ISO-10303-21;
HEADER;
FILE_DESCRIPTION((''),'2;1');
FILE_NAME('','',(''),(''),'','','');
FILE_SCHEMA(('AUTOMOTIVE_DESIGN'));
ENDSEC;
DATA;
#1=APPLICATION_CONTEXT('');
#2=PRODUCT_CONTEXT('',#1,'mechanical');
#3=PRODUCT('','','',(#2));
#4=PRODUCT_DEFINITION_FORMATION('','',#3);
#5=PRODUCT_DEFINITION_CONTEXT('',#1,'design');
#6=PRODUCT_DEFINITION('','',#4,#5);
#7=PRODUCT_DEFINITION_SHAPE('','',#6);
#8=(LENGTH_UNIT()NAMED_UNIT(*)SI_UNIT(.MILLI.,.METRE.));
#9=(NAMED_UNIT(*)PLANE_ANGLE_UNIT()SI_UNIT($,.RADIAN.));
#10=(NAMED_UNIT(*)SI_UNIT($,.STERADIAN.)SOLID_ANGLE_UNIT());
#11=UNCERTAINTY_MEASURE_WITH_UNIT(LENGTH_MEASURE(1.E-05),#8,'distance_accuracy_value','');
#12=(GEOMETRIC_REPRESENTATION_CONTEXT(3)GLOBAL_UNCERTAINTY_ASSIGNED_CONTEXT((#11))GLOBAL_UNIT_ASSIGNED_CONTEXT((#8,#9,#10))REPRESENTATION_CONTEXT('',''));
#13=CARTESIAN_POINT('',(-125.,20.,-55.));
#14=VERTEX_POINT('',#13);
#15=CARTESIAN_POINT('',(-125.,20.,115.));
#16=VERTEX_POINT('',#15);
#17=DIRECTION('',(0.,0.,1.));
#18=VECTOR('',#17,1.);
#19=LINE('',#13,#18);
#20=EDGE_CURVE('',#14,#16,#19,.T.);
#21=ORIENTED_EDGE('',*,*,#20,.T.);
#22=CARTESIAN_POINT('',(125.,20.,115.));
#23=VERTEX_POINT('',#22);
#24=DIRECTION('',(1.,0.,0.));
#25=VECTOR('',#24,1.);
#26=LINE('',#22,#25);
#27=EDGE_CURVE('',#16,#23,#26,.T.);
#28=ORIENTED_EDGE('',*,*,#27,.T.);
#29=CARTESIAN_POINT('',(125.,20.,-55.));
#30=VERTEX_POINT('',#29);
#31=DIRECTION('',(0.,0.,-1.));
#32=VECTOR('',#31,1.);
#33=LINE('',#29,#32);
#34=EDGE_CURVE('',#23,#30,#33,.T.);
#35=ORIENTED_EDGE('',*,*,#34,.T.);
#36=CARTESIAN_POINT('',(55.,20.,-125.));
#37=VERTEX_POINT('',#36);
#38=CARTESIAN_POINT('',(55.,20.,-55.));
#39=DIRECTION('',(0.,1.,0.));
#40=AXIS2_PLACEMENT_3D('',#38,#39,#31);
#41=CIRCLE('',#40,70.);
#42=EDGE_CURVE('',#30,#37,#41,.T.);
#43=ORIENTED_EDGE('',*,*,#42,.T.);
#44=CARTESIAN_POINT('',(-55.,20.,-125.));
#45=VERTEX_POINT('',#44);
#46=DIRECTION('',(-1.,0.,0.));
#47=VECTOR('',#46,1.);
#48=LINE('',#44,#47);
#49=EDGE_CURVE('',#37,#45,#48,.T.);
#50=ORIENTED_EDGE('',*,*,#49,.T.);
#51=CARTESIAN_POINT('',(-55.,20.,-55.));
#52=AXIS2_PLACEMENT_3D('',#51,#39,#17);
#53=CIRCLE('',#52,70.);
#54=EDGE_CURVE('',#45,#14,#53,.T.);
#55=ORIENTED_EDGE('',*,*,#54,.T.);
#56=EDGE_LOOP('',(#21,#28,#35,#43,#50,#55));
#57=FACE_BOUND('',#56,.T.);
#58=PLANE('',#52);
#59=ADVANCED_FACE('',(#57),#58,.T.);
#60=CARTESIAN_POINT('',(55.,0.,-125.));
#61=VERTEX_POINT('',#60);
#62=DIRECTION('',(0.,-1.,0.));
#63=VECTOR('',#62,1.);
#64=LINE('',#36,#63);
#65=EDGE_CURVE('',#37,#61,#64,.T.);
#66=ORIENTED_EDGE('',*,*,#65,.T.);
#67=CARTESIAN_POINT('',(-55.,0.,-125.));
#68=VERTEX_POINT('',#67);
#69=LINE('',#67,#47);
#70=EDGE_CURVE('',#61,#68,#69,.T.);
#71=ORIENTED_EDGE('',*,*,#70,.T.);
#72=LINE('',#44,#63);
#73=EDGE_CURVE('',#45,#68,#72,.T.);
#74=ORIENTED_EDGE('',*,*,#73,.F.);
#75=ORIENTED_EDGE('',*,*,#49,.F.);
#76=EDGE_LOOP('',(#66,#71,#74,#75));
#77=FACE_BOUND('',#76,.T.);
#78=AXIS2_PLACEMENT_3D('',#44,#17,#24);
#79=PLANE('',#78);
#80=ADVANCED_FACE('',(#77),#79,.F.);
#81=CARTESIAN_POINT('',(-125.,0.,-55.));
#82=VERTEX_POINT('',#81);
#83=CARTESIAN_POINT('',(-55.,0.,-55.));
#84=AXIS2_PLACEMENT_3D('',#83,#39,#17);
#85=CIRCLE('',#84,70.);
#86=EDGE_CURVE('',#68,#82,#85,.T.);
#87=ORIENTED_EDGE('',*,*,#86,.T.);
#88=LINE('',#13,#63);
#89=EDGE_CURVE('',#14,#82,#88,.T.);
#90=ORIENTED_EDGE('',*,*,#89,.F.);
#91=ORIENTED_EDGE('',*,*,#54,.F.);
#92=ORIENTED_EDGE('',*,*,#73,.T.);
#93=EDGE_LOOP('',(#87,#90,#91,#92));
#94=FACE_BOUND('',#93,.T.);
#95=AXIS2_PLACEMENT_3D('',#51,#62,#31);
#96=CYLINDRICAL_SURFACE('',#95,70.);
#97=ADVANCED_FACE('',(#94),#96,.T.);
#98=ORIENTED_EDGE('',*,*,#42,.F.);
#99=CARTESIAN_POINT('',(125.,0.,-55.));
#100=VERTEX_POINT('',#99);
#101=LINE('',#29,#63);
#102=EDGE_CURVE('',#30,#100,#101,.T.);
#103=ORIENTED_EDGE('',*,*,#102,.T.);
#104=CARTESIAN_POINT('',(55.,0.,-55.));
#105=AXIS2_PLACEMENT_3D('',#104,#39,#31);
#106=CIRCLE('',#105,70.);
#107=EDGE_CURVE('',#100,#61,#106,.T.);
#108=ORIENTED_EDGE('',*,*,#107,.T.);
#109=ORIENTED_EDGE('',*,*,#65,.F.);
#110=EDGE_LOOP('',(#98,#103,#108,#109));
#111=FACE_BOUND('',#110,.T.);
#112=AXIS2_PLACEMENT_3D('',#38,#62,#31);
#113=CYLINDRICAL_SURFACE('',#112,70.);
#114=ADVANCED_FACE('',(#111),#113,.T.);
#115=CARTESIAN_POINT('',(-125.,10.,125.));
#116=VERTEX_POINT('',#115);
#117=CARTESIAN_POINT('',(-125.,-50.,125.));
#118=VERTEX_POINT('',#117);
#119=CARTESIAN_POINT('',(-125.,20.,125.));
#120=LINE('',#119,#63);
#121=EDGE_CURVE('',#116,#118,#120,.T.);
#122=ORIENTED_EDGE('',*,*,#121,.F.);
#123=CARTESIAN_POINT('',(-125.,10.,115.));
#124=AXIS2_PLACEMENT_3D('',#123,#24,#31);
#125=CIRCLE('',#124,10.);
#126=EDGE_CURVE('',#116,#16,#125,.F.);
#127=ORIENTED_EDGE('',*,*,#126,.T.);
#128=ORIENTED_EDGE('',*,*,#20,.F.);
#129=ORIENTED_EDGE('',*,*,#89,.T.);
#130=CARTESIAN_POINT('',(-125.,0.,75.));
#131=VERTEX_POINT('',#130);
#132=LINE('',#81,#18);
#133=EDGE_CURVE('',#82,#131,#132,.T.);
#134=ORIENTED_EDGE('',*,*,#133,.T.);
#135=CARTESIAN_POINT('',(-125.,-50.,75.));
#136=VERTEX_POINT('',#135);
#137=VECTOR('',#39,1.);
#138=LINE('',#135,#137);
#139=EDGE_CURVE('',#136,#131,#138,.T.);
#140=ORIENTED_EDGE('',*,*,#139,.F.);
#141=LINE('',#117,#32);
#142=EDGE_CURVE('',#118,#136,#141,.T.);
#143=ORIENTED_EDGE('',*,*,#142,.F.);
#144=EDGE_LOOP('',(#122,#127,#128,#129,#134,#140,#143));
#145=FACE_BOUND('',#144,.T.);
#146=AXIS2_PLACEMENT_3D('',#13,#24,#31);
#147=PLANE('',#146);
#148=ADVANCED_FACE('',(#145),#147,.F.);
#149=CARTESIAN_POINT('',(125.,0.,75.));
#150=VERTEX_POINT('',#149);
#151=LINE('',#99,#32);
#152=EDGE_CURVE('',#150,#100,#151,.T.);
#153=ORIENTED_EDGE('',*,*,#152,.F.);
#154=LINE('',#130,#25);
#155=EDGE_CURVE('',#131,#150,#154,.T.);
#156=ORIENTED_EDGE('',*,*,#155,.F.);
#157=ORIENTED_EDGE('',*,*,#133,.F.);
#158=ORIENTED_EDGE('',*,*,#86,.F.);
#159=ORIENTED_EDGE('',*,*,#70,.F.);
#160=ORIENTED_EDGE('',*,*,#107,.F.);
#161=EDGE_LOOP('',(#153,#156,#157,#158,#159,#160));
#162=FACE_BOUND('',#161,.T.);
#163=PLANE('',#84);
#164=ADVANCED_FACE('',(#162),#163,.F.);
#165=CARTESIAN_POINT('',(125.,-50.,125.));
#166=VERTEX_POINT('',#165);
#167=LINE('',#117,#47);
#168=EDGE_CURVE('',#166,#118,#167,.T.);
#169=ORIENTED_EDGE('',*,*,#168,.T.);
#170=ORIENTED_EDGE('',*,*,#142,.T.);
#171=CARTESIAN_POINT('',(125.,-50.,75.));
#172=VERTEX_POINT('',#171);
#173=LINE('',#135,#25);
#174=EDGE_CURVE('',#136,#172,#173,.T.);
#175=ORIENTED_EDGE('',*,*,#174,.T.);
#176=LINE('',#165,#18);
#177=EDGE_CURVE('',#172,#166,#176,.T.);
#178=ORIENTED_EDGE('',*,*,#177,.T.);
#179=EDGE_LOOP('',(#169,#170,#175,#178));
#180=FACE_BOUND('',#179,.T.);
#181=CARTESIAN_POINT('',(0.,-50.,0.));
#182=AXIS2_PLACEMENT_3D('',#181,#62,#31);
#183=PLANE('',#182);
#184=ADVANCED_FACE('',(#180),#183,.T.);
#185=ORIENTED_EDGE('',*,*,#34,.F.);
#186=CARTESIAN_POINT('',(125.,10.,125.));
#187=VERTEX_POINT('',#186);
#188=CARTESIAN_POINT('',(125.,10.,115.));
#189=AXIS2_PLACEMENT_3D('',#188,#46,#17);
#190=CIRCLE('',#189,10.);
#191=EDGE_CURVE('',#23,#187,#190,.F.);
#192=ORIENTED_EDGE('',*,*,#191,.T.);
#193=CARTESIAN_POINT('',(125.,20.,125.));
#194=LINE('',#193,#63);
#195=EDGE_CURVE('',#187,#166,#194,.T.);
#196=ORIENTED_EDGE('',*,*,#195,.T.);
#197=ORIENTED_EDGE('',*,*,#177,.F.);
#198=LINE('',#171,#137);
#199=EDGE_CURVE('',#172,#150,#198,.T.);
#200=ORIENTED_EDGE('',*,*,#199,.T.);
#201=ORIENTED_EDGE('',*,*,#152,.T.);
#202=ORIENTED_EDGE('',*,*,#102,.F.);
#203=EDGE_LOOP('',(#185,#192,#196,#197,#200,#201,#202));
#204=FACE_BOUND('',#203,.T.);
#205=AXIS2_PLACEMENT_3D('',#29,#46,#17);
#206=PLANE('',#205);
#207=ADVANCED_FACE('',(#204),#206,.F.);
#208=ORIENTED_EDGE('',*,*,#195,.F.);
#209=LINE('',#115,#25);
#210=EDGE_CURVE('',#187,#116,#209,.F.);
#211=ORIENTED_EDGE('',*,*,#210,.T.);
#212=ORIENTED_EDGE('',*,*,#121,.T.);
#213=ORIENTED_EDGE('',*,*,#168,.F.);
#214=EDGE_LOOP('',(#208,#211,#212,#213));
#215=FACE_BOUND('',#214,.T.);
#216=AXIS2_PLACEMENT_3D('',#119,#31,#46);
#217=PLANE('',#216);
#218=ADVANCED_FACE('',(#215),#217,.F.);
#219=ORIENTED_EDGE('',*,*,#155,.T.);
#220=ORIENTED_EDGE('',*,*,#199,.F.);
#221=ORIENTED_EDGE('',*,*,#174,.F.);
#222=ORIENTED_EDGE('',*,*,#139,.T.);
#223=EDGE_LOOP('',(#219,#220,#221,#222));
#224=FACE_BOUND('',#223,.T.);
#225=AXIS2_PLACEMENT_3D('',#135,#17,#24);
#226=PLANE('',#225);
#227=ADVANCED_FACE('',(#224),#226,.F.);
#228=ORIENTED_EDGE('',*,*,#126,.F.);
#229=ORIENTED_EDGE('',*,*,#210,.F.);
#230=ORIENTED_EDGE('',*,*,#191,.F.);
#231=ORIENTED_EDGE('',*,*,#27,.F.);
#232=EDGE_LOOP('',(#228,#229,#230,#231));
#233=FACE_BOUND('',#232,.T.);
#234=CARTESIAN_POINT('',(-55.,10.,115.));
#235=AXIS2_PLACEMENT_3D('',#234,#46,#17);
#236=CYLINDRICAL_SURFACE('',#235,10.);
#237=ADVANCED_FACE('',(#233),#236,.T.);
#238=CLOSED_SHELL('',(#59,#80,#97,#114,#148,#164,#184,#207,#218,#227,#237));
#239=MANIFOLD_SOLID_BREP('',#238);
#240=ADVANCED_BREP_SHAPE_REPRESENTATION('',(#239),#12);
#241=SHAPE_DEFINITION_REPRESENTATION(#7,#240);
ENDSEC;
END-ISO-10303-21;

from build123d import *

# Parameters (mm, degrees)
BOSS_EXTRUDE1_DEPTH = 20
SKETCH2_W           = 250
SKETCH2_H           = 50
BOSS_EXTRUDE2_DEPTH = 50
FILLET1_R           = 10


with BuildPart() as part:
    # Sketch1 → Boss-Extrude1 (new body)
    with BuildSketch(Plane(origin=(0, 0, 0), x_dir=(1, 0, 0), z_dir=(0, 1, 0))):
        with BuildLine():
            Line((-55, 125), (55, 125))
            ThreePointArc((55, 125), (104.497474683, 104.497474683), (125, 55))
            Line((125, 55), (125, -125))
            Line((125, -125), (-125, -125))
            Line((-125, -125), (-125, 55))
            ThreePointArc((-125, 55), (-104.497474683, 104.497474683), (-55, 125))
        make_face()
    extrude(amount=BOSS_EXTRUDE1_DEPTH)

    # Sketch2 → Boss-Extrude2 (add)
    with BuildSketch(Plane.XZ):
        with Locations((0, 100)):
            Rectangle(SKETCH2_W, SKETCH2_H)
    extrude(amount=BOSS_EXTRUDE2_DEPTH)

    # Fillet1
    fillet1_edges = [part.edges().sort_by_distance(p)[0] for p in [
        (0, 20, 125),
    ]]
    fillet(fillet1_edges, radius=FILLET1_R)


solid = part.part
